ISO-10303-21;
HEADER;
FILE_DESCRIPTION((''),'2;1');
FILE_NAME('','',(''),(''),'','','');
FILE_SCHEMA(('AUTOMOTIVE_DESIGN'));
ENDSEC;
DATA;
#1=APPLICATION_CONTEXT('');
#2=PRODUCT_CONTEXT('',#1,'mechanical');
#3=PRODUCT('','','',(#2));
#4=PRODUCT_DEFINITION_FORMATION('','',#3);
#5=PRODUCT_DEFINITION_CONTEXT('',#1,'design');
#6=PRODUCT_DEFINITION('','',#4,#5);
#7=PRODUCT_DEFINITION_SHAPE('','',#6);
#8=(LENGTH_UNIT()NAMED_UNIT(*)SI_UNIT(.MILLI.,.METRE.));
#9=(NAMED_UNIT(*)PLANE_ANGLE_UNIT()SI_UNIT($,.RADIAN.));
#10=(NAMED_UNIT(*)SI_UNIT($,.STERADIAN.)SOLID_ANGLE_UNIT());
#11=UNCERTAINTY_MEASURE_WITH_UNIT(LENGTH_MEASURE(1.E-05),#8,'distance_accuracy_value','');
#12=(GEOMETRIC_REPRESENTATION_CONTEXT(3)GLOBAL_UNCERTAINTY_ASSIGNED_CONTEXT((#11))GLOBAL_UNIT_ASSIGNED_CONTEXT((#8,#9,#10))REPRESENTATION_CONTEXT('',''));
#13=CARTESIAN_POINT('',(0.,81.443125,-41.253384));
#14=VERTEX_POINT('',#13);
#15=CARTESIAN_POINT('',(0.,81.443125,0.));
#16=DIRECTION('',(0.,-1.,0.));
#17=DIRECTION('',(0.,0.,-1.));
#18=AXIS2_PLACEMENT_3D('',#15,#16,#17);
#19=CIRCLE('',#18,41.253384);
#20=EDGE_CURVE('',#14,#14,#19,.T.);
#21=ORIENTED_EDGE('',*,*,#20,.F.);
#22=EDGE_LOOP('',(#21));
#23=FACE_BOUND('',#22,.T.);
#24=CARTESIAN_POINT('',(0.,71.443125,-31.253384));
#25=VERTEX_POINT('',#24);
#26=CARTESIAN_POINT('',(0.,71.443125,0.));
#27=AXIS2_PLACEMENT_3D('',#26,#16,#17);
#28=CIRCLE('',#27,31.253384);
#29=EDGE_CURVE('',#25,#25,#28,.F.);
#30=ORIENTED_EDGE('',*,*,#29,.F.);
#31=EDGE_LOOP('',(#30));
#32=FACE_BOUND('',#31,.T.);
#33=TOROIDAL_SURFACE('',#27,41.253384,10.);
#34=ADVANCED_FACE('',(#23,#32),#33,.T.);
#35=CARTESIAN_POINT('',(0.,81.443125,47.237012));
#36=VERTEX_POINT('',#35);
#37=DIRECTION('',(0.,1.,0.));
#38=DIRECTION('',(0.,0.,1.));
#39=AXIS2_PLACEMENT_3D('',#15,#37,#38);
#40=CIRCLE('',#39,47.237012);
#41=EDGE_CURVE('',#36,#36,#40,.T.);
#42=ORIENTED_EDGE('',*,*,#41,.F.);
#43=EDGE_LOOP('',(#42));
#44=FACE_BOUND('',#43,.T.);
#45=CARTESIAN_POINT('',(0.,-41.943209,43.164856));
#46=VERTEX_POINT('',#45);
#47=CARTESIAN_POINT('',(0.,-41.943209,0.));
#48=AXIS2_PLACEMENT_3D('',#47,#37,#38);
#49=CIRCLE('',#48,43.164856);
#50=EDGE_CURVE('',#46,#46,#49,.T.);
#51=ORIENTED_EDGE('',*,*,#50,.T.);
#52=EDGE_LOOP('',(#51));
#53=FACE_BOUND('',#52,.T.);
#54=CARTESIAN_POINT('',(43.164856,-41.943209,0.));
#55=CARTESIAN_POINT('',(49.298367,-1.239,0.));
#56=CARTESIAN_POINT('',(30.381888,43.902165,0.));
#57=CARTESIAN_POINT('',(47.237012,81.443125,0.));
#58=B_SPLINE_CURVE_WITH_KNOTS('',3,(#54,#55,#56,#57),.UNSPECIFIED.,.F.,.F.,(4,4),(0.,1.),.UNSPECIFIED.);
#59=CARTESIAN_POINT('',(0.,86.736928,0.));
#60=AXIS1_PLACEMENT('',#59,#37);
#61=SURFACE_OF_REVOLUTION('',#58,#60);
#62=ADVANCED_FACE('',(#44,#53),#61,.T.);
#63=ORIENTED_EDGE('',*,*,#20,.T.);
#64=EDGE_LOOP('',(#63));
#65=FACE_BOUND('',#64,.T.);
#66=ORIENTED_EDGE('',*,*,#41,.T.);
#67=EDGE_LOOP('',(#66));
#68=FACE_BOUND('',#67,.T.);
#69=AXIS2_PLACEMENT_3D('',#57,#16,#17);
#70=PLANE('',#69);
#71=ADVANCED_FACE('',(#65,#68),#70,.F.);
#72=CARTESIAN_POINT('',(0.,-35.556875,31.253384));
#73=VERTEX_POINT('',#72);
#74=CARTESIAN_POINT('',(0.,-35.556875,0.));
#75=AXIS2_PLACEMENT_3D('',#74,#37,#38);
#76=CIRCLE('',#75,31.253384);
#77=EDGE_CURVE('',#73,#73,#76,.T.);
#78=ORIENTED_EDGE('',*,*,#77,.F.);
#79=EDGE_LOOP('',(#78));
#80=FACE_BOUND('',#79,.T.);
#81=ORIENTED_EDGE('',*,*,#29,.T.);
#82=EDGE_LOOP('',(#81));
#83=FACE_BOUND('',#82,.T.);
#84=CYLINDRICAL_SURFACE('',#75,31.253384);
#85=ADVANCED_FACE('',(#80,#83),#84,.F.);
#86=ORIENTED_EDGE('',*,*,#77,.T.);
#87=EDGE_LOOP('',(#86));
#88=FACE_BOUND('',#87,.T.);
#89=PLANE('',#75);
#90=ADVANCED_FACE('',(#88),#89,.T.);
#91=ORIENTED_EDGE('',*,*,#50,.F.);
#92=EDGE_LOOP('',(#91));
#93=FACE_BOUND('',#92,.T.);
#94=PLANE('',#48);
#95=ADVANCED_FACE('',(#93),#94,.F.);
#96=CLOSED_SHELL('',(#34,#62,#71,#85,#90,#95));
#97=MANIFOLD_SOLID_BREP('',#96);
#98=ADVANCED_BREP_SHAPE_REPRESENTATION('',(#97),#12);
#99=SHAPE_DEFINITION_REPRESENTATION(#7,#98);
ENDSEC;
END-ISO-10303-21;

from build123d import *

# Parameters (mm, degrees)
SKETCH2_R          = 31.253383714
CUT_EXTRUDE1_DEPTH = 117
FILLET1_R          = 10


with BuildPart() as part:
    # Sketch1 → Revolve1 (revolve)
    with BuildSketch(Plane.XY):
        with BuildLine():
            Line((0, -41.943209239), (43.16485611, -41.943209239))
            add(Edge.make_bspline(
                [(43.16485611, -41.943209239), (49.298367105, -1.238999909), (30.381887642, 43.902165166), (47.237012347, 81.443124736)],
                knots=[0, 0, 0, 0, 1, 1, 1, 1], degree=3))
            Line((47.237012347, 81.443124736), (0, 81.443124736))
            Line((0, 81.443124736), (0, -41.943209239))
        make_face()
    revolve(axis=Axis((0, 86.736927844, 0), (0, -1, 0)))

    # Sketch2 → Cut-Extrude1 (cut)
    with BuildSketch(Plane(origin=(0, 81.443124736, 0), x_dir=(1, 0, 0), z_dir=(0, 1, 0))):
        Circle(SKETCH2_R)
    extrude(amount=-CUT_EXTRUDE1_DEPTH, mode=Mode.SUBTRACT)

    # Fillet1
    fillet1_edges = [part.edges().sort_by_distance(p)[0] for p in [
        (-31.253383714, 81.443124736, 0),
    ]]
    fillet(fillet1_edges, radius=FILLET1_R)


solid = part.part
